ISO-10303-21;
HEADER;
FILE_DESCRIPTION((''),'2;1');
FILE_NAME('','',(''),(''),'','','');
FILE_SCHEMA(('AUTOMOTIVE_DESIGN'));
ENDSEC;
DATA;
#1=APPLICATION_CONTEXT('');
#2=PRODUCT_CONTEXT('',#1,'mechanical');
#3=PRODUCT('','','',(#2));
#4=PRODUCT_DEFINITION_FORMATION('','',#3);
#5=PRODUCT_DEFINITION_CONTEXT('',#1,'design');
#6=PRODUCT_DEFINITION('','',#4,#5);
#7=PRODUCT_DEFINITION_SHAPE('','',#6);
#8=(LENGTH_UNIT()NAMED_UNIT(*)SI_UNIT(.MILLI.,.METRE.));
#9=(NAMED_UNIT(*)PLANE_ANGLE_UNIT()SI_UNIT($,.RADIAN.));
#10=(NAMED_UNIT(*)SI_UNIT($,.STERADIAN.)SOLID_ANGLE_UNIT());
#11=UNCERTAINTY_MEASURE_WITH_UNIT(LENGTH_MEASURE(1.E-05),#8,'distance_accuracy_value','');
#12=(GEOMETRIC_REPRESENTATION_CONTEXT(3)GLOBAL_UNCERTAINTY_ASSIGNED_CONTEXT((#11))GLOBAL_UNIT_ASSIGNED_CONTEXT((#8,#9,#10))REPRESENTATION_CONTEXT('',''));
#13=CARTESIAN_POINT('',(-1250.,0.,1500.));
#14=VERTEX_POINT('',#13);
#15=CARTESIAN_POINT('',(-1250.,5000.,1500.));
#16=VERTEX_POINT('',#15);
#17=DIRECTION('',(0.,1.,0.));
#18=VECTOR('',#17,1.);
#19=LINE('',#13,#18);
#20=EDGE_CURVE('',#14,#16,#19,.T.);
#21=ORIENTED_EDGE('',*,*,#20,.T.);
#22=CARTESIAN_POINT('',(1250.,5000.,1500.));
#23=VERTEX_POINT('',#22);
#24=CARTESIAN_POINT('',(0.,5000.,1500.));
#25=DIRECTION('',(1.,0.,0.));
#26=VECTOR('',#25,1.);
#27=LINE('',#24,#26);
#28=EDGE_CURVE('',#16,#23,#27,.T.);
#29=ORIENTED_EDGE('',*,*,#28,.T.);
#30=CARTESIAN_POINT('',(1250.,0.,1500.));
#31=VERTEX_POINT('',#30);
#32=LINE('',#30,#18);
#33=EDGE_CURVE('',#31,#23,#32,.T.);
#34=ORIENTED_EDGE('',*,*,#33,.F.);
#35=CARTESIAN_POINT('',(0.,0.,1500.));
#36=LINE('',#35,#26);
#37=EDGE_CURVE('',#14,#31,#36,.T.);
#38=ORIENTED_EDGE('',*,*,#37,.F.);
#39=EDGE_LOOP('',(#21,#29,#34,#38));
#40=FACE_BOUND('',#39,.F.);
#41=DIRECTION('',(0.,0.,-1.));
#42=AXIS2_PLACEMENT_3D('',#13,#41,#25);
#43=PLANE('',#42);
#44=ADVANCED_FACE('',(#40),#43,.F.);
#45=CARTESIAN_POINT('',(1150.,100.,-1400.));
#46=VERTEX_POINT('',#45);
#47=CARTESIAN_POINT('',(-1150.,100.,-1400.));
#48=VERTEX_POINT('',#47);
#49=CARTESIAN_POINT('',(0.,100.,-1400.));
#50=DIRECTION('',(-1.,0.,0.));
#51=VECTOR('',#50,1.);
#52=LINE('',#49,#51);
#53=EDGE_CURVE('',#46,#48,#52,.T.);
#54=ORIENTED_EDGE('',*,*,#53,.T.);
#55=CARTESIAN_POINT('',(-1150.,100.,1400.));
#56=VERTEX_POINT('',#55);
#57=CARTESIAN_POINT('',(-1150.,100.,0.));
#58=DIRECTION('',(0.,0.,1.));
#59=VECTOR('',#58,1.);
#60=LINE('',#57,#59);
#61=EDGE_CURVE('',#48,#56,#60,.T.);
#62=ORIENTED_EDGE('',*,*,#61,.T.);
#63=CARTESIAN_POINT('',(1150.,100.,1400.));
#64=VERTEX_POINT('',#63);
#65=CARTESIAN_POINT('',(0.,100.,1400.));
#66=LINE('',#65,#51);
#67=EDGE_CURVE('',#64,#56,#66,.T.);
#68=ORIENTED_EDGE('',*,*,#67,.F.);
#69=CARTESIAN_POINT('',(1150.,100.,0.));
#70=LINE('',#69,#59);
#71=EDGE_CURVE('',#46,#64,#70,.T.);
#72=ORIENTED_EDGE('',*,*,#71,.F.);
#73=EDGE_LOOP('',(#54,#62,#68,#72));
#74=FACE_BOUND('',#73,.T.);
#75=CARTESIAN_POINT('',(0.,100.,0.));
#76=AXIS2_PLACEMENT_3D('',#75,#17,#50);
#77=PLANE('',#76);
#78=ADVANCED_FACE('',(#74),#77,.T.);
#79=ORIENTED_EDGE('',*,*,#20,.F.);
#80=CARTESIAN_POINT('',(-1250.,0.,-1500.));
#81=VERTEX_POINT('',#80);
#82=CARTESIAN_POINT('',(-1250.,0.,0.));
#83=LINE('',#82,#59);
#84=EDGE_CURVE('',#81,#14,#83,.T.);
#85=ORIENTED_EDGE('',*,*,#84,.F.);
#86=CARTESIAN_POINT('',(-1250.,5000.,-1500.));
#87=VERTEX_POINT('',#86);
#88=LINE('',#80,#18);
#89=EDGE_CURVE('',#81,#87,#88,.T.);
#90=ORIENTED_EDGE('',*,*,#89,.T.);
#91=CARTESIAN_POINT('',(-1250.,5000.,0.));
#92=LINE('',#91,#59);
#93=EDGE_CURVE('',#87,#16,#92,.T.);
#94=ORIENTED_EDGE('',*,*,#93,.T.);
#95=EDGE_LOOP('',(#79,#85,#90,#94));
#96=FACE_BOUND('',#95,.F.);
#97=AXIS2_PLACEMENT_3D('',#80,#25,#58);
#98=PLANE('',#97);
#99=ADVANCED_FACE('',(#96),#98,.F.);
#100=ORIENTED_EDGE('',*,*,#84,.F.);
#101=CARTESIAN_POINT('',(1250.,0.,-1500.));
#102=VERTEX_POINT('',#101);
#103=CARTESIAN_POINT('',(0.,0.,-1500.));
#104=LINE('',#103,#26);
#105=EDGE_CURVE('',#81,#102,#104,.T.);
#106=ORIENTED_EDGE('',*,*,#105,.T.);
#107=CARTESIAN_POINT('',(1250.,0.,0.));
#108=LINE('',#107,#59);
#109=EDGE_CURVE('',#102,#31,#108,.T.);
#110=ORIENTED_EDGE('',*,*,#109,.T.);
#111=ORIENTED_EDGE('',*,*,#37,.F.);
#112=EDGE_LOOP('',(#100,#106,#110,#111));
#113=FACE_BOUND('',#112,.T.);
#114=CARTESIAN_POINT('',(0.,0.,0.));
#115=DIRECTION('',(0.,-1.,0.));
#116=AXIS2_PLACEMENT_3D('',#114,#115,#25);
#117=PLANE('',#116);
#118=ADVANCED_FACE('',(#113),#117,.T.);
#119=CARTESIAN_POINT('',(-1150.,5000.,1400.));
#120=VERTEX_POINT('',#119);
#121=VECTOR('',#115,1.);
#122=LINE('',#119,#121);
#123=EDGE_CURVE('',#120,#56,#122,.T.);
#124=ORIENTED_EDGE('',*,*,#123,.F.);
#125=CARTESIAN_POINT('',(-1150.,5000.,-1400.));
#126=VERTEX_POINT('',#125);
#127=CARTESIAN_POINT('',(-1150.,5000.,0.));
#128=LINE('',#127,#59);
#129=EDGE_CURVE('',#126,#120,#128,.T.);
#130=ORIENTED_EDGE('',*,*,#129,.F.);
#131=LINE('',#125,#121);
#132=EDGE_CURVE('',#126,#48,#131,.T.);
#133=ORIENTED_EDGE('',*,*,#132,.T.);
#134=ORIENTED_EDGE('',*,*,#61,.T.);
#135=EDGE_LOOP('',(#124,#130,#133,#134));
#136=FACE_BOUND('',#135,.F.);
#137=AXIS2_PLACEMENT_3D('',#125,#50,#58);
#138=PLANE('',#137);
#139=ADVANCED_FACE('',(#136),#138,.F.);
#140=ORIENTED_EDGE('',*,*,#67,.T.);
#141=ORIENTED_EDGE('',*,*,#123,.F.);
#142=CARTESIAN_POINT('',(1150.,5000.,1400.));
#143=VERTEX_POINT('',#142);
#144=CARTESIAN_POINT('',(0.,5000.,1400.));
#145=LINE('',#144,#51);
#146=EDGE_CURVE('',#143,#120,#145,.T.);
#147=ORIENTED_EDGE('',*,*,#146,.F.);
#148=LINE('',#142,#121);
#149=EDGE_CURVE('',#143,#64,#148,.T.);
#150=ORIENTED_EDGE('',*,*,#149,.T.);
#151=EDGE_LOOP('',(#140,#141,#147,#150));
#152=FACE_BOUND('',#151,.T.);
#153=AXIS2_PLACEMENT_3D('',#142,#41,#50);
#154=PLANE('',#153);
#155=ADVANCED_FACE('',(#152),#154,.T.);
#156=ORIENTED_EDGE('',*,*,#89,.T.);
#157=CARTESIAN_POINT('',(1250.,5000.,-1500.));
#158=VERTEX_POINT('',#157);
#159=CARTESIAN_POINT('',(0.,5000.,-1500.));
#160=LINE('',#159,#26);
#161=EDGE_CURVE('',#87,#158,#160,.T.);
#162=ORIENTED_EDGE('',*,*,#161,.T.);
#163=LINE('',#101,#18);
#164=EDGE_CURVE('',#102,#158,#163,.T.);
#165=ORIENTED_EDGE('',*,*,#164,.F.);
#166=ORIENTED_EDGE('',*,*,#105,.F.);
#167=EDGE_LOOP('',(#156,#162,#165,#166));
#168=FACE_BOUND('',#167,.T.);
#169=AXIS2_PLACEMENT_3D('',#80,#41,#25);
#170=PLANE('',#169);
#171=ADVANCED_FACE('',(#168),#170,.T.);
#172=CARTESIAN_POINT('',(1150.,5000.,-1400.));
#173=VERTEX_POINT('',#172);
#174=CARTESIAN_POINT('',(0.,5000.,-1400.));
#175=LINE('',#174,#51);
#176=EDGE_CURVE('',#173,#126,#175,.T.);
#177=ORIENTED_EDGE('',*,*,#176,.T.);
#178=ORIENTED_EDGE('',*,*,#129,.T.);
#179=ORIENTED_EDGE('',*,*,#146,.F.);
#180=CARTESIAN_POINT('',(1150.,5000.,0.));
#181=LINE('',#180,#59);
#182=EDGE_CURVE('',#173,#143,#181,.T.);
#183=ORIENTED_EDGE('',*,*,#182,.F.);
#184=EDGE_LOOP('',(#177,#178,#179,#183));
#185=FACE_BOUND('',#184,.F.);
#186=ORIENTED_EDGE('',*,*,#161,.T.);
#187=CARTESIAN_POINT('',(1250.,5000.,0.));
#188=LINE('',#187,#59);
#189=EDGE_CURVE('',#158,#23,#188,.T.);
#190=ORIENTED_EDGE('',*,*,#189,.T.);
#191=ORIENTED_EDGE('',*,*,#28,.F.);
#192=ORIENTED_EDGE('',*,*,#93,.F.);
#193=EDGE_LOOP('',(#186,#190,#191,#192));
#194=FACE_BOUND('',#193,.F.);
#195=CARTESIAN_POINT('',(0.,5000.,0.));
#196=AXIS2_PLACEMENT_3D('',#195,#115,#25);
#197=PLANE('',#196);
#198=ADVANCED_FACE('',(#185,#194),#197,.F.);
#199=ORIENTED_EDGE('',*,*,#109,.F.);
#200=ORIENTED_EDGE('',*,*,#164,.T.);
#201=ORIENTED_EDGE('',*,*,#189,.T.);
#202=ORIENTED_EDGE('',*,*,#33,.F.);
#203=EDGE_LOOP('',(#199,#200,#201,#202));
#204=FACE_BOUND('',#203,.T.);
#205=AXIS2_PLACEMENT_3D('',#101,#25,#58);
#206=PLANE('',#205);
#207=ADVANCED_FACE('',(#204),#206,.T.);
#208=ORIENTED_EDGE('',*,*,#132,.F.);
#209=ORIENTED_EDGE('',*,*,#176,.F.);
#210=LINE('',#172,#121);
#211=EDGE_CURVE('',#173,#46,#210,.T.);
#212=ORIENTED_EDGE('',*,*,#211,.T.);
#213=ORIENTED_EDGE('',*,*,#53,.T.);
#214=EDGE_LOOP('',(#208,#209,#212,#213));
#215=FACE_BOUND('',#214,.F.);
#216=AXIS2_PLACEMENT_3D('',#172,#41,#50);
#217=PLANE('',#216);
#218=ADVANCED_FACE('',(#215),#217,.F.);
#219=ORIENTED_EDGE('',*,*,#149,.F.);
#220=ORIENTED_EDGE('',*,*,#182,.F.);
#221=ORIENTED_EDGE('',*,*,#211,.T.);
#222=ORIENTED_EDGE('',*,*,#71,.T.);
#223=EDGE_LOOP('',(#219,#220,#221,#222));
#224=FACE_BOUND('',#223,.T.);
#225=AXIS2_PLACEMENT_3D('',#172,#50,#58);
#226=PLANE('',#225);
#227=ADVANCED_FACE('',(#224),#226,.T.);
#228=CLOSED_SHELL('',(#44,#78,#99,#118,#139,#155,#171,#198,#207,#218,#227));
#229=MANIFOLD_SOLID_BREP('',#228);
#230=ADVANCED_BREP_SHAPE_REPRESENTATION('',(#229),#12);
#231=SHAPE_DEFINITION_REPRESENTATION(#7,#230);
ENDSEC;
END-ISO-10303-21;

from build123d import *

# Parameters (mm, degrees)
F2_W     = 2500
F2_H     = 3000
F3_DEPTH = 5000
F4_W     = 2300
F4_H     = 2800
F5_DEPTH = 4900


with BuildPart() as f3:
    # F2 (on Front) → F3 (new body)
    with BuildSketch(Plane.XZ):
        Rectangle(F2_W, F2_H)
    extrude(amount=-F3_DEPTH)

    # F4 (on face) → F5 (cut)
    with BuildSketch(Plane(origin=(0, 5000, 0), x_dir=(-1, 0, 0), z_dir=(0, 1, 0))):
        Rectangle(F4_W, F4_H)
    extrude(amount=-F5_DEPTH, mode=Mode.SUBTRACT)


solid = f3.part
